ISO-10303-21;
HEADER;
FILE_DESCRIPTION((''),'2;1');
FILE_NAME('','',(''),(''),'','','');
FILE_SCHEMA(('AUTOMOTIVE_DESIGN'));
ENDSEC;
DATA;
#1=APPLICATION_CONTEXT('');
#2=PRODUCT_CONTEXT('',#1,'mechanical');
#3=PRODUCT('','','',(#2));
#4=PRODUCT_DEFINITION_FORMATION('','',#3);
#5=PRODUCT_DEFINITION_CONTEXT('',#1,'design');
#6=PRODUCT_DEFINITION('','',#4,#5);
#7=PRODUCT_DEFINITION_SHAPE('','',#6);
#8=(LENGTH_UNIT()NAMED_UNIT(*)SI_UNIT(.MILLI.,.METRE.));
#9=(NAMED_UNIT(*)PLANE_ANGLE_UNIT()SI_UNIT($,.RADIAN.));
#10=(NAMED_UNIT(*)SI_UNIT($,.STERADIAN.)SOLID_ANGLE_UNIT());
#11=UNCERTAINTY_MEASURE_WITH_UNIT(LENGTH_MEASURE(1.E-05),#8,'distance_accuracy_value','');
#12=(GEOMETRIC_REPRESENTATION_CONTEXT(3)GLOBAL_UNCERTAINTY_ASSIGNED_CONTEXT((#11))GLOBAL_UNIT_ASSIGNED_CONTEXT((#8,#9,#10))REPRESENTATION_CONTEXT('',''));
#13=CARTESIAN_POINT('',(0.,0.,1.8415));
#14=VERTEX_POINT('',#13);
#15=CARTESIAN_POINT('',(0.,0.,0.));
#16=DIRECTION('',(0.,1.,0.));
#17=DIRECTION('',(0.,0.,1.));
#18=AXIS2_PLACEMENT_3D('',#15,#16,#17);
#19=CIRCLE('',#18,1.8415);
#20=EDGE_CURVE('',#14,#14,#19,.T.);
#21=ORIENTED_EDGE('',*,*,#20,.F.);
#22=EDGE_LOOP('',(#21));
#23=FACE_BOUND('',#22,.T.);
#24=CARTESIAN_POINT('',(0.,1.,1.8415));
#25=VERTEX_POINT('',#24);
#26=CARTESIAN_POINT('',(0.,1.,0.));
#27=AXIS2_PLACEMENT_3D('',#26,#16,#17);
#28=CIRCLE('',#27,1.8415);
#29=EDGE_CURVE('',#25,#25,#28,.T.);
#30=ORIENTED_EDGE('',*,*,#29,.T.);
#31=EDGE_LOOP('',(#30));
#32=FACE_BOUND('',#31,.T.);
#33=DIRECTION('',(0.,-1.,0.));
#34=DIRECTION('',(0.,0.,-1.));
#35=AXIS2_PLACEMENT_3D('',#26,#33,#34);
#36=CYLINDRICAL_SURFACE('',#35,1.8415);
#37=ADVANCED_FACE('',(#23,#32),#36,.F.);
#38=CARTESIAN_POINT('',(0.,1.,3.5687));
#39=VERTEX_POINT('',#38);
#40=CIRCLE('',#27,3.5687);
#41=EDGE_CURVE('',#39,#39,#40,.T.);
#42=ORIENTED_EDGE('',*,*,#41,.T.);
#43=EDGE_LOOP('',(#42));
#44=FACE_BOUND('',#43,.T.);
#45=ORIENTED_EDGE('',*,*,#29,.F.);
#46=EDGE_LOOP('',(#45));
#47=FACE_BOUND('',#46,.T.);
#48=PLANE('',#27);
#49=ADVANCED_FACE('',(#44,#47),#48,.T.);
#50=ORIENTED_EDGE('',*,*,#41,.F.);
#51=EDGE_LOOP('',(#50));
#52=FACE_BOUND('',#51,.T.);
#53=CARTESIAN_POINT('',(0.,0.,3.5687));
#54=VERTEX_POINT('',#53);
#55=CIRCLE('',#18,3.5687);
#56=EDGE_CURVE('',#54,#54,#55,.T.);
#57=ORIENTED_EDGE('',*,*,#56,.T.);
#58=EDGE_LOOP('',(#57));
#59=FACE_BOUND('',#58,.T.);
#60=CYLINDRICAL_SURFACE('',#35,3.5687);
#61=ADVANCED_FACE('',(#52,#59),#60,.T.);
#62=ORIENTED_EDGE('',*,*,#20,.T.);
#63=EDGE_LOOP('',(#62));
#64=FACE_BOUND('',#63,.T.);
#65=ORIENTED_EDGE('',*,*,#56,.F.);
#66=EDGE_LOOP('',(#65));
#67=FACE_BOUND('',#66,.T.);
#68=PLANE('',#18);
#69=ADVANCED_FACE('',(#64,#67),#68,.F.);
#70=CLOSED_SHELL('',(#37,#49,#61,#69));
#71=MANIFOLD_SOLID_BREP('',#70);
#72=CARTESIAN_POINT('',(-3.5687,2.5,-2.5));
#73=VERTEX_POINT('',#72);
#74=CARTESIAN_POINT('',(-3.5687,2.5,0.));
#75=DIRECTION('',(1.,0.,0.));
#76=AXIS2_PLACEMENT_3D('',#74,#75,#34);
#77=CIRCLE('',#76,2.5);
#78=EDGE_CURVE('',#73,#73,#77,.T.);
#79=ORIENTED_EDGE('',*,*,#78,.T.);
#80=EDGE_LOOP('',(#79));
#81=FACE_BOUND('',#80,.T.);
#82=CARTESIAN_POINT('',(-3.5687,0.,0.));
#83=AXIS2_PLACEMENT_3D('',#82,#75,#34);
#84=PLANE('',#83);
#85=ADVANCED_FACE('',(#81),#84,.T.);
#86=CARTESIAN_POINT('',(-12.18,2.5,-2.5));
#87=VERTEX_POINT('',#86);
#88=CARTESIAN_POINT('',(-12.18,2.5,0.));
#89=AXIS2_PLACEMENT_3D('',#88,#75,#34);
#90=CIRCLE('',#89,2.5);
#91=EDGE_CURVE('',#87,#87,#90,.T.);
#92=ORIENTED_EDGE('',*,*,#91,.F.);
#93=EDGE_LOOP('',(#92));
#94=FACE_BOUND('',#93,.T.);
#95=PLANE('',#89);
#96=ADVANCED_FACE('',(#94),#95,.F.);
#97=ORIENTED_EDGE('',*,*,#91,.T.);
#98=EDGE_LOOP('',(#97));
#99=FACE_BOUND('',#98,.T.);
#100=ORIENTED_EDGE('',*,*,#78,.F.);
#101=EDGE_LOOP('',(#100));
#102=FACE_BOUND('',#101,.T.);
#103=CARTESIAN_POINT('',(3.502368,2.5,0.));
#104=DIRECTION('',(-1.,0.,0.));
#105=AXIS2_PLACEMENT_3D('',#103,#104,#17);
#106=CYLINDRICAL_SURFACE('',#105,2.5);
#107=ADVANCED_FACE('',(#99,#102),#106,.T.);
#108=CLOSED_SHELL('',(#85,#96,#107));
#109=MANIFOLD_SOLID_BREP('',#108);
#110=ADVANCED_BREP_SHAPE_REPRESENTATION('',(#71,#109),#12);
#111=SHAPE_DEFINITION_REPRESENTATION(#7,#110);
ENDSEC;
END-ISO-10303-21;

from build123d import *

# Parameters (mm, degrees)
SKETCH18_R          = 2.5
BOSS_EXTRUDE4_DEPTH = 8.6113
SKETCH1_R           = 1.8415
BOSS_EXTRUDE5_DEPTH = 1


with BuildPart() as part:
    # Sketch18 → Boss-Extrude4 (new body)
    with BuildSketch(Plane(origin=(-12.18, 0, 0), x_dir=(0, 0, -1), z_dir=(1, 0, 0))):
        with Locations((0, 2.5)):
            Circle(SKETCH18_R)
    extrude(amount=BOSS_EXTRUDE4_DEPTH)


with BuildPart() as body_2:
    # Sketch1 → Boss-Extrude5 (new body)
    with BuildSketch(Plane(origin=(0, 0, 0), x_dir=(1, 0, 0), z_dir=(0, 1, 0))):
        with BuildLine():
            ThreePointArc((-2.114236195, -2.875), (3.5687, 0), (-2.114236195, 2.875))
            ThreePointArc((-2.114236195, 2.875), (-3.5687, 0), (-2.114236195, -2.875))
        make_face()
        with Locations(Location((0, 0, 0), (0, 0, 270))):
            Circle(SKETCH1_R, mode=Mode.SUBTRACT)
    extrude(amount=BOSS_EXTRUDE5_DEPTH)


solid = Compound([part.part, body_2.part])
